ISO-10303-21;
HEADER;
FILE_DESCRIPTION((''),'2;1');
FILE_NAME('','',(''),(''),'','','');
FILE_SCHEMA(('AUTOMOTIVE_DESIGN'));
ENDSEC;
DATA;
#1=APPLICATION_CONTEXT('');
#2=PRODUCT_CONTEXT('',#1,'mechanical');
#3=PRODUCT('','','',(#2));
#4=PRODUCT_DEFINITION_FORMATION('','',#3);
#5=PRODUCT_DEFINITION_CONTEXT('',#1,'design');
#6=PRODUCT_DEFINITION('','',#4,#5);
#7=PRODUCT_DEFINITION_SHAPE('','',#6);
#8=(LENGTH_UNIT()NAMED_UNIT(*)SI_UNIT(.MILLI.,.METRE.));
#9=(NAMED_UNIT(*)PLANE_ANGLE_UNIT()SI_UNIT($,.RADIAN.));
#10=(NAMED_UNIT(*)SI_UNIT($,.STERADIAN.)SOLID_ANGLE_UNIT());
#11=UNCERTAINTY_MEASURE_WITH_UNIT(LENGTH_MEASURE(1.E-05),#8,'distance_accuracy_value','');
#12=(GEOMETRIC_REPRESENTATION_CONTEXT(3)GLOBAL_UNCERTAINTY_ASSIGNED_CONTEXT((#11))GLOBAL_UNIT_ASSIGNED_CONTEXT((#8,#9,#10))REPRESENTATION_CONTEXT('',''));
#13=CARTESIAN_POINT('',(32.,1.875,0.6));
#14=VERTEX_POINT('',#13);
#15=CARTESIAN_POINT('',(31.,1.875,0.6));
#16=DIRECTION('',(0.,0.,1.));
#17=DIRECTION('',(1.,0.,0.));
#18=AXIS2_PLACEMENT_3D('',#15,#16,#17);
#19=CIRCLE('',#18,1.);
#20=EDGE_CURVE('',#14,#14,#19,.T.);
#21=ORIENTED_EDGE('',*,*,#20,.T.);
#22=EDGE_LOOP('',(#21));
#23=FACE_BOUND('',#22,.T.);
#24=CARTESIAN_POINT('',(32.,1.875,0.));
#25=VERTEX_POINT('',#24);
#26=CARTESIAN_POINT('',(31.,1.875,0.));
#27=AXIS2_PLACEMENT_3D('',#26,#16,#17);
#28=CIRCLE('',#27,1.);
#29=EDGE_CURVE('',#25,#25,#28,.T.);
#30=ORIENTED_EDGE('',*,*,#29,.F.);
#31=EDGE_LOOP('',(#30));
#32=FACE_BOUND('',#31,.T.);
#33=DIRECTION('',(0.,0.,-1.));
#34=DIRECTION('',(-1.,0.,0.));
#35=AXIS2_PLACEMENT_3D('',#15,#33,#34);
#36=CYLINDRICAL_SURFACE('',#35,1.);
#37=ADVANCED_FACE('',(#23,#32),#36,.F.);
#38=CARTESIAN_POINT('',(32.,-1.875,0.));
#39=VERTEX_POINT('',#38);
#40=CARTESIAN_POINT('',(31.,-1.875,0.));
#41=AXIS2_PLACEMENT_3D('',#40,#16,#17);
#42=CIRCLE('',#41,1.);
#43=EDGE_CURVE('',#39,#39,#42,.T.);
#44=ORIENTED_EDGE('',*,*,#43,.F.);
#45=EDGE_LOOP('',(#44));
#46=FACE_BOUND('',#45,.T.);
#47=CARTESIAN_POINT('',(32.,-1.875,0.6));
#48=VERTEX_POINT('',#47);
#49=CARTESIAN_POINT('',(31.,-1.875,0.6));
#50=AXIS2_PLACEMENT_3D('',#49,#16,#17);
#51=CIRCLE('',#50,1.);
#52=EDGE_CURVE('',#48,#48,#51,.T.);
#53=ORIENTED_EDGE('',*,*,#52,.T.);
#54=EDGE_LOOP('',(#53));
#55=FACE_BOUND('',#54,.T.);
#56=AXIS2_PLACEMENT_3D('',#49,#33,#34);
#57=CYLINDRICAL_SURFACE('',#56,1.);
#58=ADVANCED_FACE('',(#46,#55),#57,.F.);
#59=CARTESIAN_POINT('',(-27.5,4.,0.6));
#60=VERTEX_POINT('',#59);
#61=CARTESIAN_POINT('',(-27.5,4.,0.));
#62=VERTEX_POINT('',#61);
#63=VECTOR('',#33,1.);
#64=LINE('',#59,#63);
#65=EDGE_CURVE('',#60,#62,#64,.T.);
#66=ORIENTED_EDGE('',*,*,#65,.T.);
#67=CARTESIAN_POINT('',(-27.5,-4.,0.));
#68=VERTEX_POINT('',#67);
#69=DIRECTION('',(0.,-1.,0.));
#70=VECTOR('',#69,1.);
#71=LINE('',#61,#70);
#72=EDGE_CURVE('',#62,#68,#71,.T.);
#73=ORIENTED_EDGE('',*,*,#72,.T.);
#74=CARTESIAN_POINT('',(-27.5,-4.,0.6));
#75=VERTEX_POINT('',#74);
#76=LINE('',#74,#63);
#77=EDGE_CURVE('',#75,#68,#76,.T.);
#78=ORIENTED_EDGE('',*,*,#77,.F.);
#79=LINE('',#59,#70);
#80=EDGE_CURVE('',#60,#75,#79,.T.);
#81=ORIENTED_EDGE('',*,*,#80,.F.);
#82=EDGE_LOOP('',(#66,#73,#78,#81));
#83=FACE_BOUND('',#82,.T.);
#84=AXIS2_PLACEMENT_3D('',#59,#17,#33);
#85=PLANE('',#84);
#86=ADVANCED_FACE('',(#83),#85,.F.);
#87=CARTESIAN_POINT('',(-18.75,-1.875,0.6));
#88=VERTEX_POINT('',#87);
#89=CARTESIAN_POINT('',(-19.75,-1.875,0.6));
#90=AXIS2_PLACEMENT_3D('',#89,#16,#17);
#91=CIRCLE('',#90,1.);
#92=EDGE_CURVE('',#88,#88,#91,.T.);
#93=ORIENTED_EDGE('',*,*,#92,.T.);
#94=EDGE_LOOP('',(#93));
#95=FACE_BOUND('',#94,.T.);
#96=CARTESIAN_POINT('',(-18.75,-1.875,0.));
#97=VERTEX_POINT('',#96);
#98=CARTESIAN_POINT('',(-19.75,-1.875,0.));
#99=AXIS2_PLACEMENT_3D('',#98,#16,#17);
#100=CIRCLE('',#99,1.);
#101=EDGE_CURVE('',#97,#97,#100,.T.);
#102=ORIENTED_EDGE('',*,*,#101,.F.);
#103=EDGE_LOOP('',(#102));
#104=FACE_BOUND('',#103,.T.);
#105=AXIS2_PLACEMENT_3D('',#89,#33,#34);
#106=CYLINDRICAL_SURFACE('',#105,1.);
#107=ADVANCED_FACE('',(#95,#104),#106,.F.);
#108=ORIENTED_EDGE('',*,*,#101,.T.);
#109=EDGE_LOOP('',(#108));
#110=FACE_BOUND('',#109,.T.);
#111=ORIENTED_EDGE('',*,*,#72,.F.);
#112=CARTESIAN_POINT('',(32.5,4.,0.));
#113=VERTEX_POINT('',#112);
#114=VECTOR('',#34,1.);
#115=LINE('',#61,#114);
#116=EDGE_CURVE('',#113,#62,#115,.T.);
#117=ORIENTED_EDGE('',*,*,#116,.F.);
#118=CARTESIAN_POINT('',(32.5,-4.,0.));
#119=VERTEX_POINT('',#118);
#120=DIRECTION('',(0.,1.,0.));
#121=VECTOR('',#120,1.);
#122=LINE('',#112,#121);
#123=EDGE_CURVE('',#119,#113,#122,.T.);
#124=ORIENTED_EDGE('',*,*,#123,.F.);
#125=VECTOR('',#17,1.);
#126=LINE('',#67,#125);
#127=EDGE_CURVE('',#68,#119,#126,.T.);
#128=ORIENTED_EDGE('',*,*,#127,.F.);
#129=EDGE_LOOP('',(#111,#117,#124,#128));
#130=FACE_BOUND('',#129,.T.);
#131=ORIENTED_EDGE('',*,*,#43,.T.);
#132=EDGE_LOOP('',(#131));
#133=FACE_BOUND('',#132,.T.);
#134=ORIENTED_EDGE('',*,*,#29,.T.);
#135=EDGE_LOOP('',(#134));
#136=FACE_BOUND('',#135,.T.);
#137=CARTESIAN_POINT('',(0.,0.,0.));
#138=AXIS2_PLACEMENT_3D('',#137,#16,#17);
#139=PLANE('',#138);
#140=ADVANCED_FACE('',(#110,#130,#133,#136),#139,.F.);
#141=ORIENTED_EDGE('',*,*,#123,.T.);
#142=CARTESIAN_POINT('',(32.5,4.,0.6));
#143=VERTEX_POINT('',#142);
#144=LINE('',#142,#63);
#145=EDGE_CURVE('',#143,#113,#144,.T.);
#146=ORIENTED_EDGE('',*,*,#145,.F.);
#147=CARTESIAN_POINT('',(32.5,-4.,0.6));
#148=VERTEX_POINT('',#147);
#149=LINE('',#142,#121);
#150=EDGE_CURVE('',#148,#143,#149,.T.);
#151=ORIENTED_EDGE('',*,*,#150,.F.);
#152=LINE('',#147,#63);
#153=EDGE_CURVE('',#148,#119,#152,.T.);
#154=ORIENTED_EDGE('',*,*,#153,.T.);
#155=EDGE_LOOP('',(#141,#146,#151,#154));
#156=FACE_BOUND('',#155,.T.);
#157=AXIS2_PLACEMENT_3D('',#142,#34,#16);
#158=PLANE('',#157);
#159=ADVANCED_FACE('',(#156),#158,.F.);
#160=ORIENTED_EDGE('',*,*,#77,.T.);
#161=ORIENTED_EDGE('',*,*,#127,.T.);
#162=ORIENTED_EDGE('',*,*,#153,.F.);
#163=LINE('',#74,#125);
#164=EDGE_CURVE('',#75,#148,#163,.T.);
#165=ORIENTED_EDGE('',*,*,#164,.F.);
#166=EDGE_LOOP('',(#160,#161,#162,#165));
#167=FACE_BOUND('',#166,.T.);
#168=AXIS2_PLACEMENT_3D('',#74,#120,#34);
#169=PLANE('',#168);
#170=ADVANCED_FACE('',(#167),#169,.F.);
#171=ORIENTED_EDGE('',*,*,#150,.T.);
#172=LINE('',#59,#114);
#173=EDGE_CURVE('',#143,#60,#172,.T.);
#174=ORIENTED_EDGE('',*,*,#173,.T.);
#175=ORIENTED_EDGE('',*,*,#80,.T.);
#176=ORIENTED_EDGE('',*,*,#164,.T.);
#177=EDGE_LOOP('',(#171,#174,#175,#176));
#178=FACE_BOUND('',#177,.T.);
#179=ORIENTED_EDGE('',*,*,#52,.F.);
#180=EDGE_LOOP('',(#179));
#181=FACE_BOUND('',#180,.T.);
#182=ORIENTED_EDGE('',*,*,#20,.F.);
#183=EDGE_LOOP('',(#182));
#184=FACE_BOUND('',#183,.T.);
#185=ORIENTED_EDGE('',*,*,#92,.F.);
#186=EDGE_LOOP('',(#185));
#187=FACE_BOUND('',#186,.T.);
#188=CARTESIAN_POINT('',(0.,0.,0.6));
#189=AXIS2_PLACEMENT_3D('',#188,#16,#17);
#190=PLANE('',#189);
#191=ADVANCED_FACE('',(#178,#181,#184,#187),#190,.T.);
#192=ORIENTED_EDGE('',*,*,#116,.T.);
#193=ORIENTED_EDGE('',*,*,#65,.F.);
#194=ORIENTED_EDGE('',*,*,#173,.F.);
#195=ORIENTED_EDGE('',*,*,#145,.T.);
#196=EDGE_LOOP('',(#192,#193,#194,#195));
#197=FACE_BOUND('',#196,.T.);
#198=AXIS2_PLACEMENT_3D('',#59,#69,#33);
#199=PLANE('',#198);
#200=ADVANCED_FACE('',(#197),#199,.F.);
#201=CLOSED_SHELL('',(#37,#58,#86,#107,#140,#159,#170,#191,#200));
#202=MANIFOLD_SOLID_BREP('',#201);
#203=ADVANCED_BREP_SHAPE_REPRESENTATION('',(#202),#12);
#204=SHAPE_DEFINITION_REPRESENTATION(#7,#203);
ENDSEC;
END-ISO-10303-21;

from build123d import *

# Parameters (mm, degrees)
SKETCH2_W   = 60
SKETCH2_H   = 8
SKETCH2_R   = 1
BOARD_DEPTH = 0.6


with BuildPart() as part:
    # Sketch2 → board (new body)
    with BuildSketch(Plane.XY):
        with Locations((2.5, 0)):
            Rectangle(SKETCH2_W, SKETCH2_H)
        with Locations((-19.75, -1.875)):
            Circle(SKETCH2_R, mode=Mode.SUBTRACT)
        with Locations((31, 1.875)):
            Circle(SKETCH2_R, mode=Mode.SUBTRACT)
        with Locations((31, -1.875)):
            Circle(SKETCH2_R, mode=Mode.SUBTRACT)
    extrude(amount=BOARD_DEPTH)


solid = part.part
